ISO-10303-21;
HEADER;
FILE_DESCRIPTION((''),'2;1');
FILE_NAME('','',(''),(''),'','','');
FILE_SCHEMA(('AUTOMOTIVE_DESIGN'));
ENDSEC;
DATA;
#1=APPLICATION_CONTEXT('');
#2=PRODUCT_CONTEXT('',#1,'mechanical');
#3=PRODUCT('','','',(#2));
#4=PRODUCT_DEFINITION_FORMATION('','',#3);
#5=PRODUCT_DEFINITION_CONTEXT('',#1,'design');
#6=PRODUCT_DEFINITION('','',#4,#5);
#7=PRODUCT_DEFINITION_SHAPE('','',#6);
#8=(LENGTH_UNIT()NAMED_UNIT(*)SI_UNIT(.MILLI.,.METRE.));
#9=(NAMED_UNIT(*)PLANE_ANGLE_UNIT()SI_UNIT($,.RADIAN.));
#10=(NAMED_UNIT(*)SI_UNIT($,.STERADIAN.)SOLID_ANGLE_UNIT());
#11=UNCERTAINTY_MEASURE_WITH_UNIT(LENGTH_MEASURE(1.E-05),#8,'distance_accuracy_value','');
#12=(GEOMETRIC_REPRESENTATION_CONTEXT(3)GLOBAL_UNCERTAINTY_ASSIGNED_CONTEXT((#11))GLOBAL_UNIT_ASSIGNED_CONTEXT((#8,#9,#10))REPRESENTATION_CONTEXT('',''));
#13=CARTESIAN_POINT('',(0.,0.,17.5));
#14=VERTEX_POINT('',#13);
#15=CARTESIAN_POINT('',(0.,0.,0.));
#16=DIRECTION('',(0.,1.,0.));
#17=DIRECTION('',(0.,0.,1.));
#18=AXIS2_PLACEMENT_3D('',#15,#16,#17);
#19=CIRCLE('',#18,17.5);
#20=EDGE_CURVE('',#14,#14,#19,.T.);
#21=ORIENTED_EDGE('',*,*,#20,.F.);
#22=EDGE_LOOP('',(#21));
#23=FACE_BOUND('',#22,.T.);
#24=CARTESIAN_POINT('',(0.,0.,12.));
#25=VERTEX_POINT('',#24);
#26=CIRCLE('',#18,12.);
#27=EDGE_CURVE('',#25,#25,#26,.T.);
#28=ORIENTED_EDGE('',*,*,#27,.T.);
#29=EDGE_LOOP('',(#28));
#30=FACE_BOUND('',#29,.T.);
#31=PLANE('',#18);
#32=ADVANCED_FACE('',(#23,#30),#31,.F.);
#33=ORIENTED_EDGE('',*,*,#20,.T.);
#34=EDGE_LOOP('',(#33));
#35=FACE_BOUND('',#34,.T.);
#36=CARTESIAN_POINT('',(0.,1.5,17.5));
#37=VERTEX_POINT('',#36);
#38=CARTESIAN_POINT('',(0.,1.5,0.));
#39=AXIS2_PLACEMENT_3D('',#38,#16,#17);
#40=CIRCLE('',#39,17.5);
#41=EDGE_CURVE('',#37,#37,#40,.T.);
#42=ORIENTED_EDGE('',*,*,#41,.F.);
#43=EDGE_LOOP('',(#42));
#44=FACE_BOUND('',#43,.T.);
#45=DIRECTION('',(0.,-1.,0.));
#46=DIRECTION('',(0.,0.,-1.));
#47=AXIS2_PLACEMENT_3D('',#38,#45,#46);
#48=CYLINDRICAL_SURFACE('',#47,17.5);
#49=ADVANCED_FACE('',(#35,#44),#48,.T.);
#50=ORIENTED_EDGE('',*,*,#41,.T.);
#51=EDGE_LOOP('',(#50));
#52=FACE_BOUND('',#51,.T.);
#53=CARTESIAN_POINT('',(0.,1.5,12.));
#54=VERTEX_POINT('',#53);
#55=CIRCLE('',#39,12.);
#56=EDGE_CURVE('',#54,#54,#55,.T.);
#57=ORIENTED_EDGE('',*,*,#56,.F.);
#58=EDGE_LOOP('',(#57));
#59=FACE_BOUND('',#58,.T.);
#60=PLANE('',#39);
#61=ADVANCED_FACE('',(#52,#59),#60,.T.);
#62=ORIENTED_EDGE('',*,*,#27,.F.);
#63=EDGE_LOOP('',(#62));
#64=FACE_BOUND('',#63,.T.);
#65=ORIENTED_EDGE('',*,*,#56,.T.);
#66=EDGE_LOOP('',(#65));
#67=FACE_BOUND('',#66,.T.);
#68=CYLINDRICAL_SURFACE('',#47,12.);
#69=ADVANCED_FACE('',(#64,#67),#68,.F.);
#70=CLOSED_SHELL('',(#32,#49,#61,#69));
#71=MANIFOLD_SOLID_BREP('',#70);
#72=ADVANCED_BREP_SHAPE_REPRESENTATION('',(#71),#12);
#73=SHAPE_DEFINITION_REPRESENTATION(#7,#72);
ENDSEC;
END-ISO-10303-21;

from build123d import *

# Parameters (mm, degrees)
SZKIC1_R                    = 17.5
SZKIC1_R_2                  = 12
DODANIE_WYCI_GNI_CIE1_DEPTH = 1.5


with BuildPart() as part:
    # Szkic1 → Dodanie-wyciągnięcie1 (new body)
    with BuildSketch(Plane(origin=(0, 0, 0), x_dir=(1, 0, 0), z_dir=(0, 1, 0))):
        with Locations(Location((0, 0, 0), (0, 0, 270))):
            Circle(SZKIC1_R)
        with Locations(Location((0, 0, 0), (0, 0, 270))):
            Circle(SZKIC1_R_2, mode=Mode.SUBTRACT)
    extrude(amount=DODANIE_WYCI_GNI_CIE1_DEPTH)


solid = part.part
